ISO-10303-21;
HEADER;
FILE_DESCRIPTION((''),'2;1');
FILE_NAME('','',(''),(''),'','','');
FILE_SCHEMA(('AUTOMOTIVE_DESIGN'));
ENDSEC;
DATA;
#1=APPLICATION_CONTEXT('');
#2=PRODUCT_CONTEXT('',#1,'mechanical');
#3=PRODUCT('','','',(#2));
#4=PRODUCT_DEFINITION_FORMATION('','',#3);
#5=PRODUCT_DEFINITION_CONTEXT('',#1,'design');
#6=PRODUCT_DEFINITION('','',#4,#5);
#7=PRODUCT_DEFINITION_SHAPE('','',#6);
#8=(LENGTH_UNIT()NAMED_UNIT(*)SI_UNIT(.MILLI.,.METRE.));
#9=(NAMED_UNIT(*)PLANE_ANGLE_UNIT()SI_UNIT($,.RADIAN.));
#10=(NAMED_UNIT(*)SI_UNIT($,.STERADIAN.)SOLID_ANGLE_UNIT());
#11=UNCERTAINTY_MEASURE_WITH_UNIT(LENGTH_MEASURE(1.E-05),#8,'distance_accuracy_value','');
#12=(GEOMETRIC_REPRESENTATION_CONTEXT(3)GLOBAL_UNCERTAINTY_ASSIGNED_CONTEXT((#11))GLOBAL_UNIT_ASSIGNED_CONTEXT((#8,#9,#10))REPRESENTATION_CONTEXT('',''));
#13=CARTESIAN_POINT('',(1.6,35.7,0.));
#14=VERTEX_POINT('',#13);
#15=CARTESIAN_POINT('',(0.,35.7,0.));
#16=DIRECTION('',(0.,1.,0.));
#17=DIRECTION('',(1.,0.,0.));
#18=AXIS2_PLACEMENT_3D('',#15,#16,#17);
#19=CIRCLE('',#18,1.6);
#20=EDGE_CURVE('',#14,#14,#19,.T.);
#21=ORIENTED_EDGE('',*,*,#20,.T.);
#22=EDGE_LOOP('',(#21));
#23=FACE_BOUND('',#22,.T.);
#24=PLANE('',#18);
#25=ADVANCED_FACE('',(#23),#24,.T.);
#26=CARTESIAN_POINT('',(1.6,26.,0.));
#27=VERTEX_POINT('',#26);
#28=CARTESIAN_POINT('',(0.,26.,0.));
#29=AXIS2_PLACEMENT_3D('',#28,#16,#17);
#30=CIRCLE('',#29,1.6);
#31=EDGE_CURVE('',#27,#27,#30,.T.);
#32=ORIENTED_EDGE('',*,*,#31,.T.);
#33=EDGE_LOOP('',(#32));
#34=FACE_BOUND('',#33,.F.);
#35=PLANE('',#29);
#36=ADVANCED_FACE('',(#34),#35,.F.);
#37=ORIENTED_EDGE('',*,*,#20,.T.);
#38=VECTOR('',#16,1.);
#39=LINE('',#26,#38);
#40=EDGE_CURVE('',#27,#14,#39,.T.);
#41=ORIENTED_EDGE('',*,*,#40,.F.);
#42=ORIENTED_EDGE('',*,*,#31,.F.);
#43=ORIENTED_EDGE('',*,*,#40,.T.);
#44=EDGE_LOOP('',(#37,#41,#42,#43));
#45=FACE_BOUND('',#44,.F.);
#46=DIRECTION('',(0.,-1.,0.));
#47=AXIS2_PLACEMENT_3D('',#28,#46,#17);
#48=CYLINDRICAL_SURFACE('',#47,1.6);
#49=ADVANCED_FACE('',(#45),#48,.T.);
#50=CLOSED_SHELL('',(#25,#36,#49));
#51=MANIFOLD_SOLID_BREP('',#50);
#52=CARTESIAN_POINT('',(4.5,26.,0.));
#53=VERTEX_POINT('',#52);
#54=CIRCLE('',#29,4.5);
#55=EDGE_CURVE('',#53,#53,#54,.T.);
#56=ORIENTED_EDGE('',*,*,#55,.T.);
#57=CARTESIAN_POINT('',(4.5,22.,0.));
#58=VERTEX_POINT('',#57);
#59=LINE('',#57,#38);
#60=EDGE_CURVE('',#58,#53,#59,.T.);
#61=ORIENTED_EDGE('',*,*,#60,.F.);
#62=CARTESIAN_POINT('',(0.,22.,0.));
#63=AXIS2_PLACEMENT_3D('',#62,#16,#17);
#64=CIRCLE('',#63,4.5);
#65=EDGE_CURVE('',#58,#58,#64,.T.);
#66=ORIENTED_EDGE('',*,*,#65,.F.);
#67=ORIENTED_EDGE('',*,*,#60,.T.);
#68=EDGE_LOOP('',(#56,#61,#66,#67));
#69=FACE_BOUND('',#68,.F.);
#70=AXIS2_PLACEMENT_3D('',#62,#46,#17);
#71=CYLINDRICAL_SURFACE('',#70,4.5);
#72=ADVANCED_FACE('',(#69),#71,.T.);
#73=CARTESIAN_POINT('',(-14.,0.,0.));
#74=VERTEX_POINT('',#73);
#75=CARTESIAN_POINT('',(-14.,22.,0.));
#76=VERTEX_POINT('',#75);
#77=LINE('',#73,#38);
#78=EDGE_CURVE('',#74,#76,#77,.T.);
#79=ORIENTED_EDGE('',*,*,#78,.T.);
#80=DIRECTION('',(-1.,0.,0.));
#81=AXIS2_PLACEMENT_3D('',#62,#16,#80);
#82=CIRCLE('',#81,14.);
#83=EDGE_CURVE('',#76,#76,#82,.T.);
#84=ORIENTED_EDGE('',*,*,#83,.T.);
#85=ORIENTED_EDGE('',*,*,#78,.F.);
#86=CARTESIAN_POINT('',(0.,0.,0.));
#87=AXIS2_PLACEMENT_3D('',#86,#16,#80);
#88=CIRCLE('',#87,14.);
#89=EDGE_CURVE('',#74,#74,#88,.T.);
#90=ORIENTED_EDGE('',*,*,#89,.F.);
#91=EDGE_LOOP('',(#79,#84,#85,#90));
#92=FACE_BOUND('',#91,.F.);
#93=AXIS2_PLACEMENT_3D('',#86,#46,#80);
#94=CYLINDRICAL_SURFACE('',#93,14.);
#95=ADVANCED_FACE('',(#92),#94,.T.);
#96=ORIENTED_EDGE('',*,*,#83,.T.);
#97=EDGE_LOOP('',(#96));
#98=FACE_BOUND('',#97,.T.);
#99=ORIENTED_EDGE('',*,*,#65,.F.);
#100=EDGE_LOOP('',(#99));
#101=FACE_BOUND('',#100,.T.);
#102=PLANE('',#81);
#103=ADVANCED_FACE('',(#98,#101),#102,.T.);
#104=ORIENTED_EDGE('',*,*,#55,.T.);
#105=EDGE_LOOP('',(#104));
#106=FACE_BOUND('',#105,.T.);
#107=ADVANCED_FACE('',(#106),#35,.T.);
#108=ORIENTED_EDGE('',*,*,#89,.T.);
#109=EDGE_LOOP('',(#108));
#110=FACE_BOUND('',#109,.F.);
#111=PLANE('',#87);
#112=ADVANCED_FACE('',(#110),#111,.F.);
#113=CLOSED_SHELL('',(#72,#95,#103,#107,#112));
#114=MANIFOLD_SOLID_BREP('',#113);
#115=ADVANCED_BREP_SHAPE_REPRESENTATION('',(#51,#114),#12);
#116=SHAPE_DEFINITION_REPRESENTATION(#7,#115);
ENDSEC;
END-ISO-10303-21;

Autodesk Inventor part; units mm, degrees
ref_plane "YZ Plane" through (0, 0, 0) normal (1, 0, 0) x (0, 1, 0)
ref_plane "XZ Plane" through (0, 0, 0) normal (0, 1, 0) x (-1, 0, 0)
ref_plane "XY Plane" through (0, 0, 0) normal (0, 0, 1) x (1, 0, 0)
sketch "Sketch1" plane through (0, 0, 0) normal (0, 1, 0) x (-1, 0, 0)
  circle A0 centre (0, 0) radius 14
  dimension "d0" = 28
extrude "Extrusion1" add sketch "Sketch1" along normal blind 22
sketch "Sketch2" plane through (0, 22, 0) normal (0, 1, 0) x (1, 0, 0)
  circle A0 centre (0, 0) radius 4.5
  dimension "d3" = 9
extrude "Extrusion2" add sketch "Sketch2" along normal blind 4
sketch "Sketch3" plane through (0, 26, 0) normal (0, 1, 0) x (1, 0, 0)
  circle A0 centre (0, 0) radius 1.6
  dimension "d6" = 3.2
extrude "Extrusion3" add sketch "Sketch3" along normal blind 9.7 separate body
properties part number "Brushless 2622 2600KV"
